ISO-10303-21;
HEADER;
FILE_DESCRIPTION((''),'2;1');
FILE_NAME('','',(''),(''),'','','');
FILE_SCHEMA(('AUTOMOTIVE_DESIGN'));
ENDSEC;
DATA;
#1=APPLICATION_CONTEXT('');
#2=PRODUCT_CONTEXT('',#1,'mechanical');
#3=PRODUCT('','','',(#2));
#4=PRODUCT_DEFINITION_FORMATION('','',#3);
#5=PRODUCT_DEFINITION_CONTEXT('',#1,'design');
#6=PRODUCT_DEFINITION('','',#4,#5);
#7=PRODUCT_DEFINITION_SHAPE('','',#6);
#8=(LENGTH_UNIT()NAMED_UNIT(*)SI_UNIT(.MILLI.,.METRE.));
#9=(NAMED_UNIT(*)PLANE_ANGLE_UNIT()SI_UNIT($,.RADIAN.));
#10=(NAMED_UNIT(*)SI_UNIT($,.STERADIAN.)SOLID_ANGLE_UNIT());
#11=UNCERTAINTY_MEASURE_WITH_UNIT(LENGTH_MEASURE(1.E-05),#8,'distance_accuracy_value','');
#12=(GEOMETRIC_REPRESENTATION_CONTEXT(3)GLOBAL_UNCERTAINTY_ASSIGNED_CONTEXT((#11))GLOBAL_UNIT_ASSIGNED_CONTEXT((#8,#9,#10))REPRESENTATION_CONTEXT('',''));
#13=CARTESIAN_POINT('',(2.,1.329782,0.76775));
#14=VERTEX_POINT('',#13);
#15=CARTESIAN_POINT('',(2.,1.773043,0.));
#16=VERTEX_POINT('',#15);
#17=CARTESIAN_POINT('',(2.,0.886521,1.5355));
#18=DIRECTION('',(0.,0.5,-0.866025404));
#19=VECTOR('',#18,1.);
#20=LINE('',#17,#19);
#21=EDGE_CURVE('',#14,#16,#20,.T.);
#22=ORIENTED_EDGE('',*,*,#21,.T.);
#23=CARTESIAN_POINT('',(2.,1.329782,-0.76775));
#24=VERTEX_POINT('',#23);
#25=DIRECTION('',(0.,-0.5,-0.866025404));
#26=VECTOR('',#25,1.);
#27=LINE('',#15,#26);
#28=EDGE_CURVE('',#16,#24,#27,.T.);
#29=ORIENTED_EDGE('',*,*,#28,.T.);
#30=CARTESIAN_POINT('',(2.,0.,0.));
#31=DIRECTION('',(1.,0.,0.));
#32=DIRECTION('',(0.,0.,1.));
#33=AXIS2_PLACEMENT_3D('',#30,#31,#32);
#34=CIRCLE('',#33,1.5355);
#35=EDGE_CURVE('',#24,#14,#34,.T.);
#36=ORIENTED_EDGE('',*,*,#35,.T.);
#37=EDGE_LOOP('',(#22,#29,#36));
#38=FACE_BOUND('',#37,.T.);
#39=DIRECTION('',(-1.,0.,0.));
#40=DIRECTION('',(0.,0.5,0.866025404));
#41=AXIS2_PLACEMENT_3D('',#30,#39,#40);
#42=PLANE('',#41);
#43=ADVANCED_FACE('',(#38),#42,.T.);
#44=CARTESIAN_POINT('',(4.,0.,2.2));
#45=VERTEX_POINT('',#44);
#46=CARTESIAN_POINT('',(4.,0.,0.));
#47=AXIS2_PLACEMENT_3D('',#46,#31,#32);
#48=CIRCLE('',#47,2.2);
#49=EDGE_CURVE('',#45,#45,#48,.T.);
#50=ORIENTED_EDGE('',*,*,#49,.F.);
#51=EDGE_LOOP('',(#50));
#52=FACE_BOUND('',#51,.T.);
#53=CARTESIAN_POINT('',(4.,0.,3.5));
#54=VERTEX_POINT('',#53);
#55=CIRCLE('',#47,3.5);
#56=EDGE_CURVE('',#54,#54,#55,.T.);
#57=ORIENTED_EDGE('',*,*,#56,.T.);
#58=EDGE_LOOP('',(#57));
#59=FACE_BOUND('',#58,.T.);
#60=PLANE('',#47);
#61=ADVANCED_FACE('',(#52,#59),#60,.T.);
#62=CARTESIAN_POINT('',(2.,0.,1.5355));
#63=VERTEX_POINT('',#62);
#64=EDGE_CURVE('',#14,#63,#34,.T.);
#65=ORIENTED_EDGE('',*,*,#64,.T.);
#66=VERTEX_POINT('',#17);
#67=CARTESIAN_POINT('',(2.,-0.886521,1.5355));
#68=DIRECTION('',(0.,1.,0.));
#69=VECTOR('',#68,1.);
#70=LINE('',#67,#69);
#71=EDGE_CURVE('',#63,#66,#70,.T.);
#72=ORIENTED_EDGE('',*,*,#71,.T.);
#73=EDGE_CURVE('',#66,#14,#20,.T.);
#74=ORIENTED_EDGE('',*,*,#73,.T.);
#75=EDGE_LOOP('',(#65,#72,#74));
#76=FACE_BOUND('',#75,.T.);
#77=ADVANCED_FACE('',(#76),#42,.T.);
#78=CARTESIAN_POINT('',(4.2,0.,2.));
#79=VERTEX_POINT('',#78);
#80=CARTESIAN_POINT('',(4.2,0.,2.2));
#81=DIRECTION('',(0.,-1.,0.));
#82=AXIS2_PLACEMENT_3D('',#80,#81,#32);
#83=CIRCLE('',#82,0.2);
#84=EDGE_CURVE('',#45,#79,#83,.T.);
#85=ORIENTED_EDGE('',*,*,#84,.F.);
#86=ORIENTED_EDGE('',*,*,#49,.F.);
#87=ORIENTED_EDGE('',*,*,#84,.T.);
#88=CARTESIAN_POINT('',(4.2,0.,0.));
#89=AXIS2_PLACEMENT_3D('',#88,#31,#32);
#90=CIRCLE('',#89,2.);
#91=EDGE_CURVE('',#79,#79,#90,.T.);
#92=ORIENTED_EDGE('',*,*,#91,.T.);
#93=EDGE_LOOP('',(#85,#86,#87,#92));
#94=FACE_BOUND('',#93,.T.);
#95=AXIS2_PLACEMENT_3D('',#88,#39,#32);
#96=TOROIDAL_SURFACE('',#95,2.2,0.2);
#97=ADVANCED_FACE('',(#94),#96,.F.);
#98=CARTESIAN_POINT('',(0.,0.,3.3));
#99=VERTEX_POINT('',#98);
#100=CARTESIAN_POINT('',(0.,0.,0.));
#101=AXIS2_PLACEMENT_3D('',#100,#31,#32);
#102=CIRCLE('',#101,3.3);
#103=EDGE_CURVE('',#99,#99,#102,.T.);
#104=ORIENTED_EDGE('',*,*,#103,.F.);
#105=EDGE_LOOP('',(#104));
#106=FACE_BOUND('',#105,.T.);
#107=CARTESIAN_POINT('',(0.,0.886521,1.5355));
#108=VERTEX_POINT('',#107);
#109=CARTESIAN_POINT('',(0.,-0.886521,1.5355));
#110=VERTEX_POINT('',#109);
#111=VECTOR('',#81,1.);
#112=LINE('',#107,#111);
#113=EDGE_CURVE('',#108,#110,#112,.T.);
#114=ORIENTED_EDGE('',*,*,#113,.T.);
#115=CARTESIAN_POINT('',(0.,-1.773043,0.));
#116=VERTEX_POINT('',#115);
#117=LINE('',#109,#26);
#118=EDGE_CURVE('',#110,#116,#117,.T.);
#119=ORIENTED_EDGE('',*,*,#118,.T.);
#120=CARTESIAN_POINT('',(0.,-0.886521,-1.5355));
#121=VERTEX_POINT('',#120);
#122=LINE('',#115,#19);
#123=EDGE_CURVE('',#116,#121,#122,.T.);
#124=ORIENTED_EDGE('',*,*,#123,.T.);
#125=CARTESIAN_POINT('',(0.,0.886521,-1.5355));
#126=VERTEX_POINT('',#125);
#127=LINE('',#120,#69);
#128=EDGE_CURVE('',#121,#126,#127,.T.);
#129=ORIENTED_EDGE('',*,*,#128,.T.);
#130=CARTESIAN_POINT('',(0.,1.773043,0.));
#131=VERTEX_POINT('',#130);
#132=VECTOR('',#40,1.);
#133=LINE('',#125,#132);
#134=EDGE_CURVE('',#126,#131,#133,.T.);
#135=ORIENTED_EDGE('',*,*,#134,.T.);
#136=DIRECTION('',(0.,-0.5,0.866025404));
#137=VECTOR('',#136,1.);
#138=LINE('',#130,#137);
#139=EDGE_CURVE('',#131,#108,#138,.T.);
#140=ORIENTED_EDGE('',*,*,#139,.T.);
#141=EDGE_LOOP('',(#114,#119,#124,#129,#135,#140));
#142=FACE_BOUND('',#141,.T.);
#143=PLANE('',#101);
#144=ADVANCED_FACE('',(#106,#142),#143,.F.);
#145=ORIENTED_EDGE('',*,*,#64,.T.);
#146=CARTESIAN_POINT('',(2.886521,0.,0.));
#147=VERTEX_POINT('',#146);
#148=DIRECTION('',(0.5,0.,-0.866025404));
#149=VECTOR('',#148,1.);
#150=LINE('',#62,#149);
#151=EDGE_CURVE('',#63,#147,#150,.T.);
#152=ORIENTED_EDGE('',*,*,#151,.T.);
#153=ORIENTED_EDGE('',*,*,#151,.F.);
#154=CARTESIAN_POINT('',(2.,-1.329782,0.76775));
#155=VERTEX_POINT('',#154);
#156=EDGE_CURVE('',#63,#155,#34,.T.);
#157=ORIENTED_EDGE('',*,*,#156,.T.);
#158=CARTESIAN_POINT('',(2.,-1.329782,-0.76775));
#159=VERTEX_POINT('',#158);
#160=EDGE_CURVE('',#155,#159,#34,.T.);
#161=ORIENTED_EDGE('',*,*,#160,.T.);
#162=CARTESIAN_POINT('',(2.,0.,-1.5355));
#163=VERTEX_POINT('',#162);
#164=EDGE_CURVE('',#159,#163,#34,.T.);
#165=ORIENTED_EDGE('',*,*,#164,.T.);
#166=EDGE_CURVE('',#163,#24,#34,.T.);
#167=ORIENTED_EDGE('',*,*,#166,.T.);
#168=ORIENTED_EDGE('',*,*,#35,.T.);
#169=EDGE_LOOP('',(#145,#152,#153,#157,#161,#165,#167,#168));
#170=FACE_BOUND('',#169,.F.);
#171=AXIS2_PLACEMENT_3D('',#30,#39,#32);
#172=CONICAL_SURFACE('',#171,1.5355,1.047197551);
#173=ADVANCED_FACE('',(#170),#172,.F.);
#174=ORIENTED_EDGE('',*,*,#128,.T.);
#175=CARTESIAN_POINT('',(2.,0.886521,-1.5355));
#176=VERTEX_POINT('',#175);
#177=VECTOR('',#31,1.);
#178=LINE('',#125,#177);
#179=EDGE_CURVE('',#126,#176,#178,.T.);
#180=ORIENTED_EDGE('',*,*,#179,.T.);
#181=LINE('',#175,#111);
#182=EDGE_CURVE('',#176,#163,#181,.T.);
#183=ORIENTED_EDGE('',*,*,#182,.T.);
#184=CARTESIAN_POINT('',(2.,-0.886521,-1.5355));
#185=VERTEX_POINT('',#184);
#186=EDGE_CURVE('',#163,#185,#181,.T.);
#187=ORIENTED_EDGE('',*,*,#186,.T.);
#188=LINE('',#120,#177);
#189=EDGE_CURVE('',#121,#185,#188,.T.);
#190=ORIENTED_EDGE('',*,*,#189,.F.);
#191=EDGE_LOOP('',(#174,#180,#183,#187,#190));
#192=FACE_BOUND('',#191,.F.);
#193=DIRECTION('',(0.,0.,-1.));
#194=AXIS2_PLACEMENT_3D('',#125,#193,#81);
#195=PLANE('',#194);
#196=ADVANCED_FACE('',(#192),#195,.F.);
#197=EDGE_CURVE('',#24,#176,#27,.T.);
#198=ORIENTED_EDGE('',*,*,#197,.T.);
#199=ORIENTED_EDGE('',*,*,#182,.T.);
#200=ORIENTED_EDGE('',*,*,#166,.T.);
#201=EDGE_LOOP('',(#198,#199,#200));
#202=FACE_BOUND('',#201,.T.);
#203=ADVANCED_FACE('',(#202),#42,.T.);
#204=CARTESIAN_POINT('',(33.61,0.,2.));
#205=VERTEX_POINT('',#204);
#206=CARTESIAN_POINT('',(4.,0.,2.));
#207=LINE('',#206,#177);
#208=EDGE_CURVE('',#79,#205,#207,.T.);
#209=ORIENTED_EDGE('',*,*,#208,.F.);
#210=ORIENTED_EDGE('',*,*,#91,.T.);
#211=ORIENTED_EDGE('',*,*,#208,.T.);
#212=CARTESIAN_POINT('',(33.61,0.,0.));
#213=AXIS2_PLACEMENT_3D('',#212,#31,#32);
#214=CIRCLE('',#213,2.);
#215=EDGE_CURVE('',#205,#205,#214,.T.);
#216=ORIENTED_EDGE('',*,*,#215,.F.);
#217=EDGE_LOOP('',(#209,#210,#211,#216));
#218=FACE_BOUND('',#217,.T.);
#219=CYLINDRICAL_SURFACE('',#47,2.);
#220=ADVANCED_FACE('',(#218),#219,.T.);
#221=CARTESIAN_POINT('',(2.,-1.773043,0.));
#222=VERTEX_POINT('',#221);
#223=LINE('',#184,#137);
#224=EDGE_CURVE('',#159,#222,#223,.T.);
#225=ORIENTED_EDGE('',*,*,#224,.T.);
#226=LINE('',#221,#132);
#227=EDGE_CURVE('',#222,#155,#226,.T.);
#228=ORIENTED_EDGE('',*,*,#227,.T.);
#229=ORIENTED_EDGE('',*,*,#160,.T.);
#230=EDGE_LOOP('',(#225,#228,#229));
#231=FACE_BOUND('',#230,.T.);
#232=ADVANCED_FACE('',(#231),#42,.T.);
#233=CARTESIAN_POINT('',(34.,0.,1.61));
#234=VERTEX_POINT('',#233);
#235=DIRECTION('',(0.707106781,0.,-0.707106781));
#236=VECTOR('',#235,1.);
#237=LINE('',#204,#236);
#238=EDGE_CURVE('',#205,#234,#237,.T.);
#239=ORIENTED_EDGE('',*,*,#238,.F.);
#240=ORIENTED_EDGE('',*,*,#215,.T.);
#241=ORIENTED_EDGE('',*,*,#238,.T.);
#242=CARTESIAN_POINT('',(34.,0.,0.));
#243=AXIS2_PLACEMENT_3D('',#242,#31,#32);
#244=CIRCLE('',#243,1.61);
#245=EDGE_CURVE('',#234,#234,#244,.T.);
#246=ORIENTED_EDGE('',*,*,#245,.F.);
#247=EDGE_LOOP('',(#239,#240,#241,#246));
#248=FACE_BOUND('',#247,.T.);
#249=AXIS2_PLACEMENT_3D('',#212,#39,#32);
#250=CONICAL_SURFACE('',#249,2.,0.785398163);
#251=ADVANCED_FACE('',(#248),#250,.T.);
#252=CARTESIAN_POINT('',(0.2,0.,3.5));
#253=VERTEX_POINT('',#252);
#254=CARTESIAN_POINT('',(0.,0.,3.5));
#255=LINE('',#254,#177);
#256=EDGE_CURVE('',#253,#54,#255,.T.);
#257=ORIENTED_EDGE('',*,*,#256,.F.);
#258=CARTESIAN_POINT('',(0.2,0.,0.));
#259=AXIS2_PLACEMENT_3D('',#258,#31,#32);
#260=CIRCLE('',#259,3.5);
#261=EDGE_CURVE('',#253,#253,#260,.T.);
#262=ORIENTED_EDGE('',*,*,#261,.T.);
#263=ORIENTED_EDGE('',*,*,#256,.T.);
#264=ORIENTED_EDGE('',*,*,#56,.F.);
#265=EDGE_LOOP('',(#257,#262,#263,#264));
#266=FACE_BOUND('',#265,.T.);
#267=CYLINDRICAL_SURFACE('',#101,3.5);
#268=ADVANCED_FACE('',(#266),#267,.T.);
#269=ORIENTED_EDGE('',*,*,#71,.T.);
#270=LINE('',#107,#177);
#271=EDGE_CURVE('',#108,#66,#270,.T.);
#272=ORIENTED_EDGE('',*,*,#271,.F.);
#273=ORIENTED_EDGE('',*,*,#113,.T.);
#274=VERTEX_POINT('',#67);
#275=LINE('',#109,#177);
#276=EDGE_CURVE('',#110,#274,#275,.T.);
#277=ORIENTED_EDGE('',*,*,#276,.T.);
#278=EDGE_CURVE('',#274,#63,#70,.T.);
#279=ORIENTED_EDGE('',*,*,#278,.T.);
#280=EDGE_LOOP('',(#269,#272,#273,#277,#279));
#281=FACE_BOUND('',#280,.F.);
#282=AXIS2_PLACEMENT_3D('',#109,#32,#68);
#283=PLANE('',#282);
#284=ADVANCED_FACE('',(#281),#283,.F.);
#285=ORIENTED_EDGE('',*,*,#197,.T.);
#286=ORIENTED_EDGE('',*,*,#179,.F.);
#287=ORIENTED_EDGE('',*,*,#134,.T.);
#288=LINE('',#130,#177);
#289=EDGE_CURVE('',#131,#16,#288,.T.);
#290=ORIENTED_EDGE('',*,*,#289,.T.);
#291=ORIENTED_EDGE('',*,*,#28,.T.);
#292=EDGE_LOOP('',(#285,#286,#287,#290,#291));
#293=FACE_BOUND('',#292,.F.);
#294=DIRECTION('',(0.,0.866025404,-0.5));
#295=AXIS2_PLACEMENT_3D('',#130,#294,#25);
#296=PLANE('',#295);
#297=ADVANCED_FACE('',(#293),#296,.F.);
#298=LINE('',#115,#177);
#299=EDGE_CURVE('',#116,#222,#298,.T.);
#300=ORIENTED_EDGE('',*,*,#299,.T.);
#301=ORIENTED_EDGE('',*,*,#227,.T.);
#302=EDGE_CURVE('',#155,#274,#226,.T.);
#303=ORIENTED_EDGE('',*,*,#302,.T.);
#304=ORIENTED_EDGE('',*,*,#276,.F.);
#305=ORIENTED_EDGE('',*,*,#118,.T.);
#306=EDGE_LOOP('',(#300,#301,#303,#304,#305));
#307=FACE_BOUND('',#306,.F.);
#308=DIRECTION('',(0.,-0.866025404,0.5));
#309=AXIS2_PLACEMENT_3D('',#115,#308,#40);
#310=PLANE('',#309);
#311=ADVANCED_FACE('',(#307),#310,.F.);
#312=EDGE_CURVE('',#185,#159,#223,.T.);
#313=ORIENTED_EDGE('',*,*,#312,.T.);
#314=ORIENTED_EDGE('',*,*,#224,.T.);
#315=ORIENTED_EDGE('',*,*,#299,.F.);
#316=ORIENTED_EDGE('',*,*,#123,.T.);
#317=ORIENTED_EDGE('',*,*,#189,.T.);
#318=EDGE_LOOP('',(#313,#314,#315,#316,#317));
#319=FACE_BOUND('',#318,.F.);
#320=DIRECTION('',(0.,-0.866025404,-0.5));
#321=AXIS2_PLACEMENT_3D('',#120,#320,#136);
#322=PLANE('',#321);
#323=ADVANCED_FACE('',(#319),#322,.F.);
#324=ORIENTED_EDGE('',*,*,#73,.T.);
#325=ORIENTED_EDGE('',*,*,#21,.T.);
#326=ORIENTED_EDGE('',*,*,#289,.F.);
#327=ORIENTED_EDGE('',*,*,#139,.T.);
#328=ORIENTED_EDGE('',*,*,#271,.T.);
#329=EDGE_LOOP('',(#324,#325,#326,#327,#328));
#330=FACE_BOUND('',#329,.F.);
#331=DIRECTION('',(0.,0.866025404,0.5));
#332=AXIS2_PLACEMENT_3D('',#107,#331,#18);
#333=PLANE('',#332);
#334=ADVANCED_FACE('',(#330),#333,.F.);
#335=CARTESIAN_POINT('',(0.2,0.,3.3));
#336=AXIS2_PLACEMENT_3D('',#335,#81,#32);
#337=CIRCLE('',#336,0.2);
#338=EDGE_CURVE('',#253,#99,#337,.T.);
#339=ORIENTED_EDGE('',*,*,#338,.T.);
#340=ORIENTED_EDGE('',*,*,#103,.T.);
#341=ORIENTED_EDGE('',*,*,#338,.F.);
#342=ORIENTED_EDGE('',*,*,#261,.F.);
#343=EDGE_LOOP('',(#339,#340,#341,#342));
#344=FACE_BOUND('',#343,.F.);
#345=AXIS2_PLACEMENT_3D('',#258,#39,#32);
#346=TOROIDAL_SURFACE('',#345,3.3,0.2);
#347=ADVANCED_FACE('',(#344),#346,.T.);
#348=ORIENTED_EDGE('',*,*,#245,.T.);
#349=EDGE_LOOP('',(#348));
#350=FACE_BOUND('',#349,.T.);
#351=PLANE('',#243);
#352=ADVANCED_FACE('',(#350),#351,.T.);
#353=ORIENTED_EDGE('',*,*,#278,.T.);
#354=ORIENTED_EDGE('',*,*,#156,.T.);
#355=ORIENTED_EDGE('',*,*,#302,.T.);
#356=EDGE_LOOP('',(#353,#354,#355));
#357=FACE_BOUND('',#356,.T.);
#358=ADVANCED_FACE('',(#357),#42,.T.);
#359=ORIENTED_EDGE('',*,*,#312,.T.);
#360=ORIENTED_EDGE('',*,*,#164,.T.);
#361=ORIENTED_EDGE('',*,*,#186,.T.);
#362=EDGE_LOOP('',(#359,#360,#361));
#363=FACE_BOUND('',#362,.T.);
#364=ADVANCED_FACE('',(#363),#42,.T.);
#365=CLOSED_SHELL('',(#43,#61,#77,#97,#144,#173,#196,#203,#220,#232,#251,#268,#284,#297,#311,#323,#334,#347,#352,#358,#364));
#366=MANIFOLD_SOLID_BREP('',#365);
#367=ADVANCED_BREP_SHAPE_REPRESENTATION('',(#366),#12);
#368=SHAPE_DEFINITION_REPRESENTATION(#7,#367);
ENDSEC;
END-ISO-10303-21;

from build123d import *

# Parameters (mm, degrees)
FILLET1_R   = 0.2
FILLET2_R   = 0.2
HEX_2_DEPTH = 2


with BuildPart() as part:
    # BodySke → Base-Revolve (revolve)
    with BuildSketch(Plane.XY, mode=Mode.PRIVATE) as base_revolve_sk:
        Polygon((0, 0), (0, 3.5), (4, 3.5), (4, 2), (33.61, 2), (34, 1.61), (34, 0), align=None)
    revolve(base_revolve_sk.sketch.rotate(Axis((-31.75, 0, 0), (1, 0, 0)), 90), axis=Axis((-31.75, 0, 0), (1, 0, 0)))  # turned: the seam where the file's is

    # Fillet1
    fillet1_edges = [part.edges().sort_by_distance(p)[0] for p in [
        (4, 0, -2),
    ]]
    fillet(fillet1_edges, radius=FILLET1_R)

    # Fillet2
    fillet2_edges = [part.edges().sort_by_distance(p)[0] for p in [
        (0, 0, -3.5),
    ]]
    fillet(fillet2_edges, radius=FILLET2_R)

    # Sketch2 → Hex-PreBroach (revolve, cut)
    with BuildSketch(Plane.XY, mode=Mode.PRIVATE) as hex_prebroach_sk:
        Polygon((0, 1.5355), (2, 1.5355), (2.886521338, 0), (0, 0), align=None)
    revolve(hex_prebroach_sk.sketch.rotate(Axis((0, 0, 0), (1, 0, 0)), 90), axis=Axis((0, 0, 0), (1, 0, 0)), mode=Mode.SUBTRACT)  # turned: the seam where the file's is

    # Sketch3 → Hex 2 (cut)
    with BuildSketch(Plane(origin=(0, 0, 0), x_dir=(0, 0.5, 0.866025404), z_dir=(-1, 0, 0))):
        Polygon((0.886521338, 1.5355), (-0.886521338, 1.5355), (-1.773042677, 0), (-0.886521338, -1.5355), (0.886521338, -1.5355), (1.773042677, 0), align=None)
    extrude(amount=-HEX_2_DEPTH, mode=Mode.SUBTRACT)


solid = part.part
